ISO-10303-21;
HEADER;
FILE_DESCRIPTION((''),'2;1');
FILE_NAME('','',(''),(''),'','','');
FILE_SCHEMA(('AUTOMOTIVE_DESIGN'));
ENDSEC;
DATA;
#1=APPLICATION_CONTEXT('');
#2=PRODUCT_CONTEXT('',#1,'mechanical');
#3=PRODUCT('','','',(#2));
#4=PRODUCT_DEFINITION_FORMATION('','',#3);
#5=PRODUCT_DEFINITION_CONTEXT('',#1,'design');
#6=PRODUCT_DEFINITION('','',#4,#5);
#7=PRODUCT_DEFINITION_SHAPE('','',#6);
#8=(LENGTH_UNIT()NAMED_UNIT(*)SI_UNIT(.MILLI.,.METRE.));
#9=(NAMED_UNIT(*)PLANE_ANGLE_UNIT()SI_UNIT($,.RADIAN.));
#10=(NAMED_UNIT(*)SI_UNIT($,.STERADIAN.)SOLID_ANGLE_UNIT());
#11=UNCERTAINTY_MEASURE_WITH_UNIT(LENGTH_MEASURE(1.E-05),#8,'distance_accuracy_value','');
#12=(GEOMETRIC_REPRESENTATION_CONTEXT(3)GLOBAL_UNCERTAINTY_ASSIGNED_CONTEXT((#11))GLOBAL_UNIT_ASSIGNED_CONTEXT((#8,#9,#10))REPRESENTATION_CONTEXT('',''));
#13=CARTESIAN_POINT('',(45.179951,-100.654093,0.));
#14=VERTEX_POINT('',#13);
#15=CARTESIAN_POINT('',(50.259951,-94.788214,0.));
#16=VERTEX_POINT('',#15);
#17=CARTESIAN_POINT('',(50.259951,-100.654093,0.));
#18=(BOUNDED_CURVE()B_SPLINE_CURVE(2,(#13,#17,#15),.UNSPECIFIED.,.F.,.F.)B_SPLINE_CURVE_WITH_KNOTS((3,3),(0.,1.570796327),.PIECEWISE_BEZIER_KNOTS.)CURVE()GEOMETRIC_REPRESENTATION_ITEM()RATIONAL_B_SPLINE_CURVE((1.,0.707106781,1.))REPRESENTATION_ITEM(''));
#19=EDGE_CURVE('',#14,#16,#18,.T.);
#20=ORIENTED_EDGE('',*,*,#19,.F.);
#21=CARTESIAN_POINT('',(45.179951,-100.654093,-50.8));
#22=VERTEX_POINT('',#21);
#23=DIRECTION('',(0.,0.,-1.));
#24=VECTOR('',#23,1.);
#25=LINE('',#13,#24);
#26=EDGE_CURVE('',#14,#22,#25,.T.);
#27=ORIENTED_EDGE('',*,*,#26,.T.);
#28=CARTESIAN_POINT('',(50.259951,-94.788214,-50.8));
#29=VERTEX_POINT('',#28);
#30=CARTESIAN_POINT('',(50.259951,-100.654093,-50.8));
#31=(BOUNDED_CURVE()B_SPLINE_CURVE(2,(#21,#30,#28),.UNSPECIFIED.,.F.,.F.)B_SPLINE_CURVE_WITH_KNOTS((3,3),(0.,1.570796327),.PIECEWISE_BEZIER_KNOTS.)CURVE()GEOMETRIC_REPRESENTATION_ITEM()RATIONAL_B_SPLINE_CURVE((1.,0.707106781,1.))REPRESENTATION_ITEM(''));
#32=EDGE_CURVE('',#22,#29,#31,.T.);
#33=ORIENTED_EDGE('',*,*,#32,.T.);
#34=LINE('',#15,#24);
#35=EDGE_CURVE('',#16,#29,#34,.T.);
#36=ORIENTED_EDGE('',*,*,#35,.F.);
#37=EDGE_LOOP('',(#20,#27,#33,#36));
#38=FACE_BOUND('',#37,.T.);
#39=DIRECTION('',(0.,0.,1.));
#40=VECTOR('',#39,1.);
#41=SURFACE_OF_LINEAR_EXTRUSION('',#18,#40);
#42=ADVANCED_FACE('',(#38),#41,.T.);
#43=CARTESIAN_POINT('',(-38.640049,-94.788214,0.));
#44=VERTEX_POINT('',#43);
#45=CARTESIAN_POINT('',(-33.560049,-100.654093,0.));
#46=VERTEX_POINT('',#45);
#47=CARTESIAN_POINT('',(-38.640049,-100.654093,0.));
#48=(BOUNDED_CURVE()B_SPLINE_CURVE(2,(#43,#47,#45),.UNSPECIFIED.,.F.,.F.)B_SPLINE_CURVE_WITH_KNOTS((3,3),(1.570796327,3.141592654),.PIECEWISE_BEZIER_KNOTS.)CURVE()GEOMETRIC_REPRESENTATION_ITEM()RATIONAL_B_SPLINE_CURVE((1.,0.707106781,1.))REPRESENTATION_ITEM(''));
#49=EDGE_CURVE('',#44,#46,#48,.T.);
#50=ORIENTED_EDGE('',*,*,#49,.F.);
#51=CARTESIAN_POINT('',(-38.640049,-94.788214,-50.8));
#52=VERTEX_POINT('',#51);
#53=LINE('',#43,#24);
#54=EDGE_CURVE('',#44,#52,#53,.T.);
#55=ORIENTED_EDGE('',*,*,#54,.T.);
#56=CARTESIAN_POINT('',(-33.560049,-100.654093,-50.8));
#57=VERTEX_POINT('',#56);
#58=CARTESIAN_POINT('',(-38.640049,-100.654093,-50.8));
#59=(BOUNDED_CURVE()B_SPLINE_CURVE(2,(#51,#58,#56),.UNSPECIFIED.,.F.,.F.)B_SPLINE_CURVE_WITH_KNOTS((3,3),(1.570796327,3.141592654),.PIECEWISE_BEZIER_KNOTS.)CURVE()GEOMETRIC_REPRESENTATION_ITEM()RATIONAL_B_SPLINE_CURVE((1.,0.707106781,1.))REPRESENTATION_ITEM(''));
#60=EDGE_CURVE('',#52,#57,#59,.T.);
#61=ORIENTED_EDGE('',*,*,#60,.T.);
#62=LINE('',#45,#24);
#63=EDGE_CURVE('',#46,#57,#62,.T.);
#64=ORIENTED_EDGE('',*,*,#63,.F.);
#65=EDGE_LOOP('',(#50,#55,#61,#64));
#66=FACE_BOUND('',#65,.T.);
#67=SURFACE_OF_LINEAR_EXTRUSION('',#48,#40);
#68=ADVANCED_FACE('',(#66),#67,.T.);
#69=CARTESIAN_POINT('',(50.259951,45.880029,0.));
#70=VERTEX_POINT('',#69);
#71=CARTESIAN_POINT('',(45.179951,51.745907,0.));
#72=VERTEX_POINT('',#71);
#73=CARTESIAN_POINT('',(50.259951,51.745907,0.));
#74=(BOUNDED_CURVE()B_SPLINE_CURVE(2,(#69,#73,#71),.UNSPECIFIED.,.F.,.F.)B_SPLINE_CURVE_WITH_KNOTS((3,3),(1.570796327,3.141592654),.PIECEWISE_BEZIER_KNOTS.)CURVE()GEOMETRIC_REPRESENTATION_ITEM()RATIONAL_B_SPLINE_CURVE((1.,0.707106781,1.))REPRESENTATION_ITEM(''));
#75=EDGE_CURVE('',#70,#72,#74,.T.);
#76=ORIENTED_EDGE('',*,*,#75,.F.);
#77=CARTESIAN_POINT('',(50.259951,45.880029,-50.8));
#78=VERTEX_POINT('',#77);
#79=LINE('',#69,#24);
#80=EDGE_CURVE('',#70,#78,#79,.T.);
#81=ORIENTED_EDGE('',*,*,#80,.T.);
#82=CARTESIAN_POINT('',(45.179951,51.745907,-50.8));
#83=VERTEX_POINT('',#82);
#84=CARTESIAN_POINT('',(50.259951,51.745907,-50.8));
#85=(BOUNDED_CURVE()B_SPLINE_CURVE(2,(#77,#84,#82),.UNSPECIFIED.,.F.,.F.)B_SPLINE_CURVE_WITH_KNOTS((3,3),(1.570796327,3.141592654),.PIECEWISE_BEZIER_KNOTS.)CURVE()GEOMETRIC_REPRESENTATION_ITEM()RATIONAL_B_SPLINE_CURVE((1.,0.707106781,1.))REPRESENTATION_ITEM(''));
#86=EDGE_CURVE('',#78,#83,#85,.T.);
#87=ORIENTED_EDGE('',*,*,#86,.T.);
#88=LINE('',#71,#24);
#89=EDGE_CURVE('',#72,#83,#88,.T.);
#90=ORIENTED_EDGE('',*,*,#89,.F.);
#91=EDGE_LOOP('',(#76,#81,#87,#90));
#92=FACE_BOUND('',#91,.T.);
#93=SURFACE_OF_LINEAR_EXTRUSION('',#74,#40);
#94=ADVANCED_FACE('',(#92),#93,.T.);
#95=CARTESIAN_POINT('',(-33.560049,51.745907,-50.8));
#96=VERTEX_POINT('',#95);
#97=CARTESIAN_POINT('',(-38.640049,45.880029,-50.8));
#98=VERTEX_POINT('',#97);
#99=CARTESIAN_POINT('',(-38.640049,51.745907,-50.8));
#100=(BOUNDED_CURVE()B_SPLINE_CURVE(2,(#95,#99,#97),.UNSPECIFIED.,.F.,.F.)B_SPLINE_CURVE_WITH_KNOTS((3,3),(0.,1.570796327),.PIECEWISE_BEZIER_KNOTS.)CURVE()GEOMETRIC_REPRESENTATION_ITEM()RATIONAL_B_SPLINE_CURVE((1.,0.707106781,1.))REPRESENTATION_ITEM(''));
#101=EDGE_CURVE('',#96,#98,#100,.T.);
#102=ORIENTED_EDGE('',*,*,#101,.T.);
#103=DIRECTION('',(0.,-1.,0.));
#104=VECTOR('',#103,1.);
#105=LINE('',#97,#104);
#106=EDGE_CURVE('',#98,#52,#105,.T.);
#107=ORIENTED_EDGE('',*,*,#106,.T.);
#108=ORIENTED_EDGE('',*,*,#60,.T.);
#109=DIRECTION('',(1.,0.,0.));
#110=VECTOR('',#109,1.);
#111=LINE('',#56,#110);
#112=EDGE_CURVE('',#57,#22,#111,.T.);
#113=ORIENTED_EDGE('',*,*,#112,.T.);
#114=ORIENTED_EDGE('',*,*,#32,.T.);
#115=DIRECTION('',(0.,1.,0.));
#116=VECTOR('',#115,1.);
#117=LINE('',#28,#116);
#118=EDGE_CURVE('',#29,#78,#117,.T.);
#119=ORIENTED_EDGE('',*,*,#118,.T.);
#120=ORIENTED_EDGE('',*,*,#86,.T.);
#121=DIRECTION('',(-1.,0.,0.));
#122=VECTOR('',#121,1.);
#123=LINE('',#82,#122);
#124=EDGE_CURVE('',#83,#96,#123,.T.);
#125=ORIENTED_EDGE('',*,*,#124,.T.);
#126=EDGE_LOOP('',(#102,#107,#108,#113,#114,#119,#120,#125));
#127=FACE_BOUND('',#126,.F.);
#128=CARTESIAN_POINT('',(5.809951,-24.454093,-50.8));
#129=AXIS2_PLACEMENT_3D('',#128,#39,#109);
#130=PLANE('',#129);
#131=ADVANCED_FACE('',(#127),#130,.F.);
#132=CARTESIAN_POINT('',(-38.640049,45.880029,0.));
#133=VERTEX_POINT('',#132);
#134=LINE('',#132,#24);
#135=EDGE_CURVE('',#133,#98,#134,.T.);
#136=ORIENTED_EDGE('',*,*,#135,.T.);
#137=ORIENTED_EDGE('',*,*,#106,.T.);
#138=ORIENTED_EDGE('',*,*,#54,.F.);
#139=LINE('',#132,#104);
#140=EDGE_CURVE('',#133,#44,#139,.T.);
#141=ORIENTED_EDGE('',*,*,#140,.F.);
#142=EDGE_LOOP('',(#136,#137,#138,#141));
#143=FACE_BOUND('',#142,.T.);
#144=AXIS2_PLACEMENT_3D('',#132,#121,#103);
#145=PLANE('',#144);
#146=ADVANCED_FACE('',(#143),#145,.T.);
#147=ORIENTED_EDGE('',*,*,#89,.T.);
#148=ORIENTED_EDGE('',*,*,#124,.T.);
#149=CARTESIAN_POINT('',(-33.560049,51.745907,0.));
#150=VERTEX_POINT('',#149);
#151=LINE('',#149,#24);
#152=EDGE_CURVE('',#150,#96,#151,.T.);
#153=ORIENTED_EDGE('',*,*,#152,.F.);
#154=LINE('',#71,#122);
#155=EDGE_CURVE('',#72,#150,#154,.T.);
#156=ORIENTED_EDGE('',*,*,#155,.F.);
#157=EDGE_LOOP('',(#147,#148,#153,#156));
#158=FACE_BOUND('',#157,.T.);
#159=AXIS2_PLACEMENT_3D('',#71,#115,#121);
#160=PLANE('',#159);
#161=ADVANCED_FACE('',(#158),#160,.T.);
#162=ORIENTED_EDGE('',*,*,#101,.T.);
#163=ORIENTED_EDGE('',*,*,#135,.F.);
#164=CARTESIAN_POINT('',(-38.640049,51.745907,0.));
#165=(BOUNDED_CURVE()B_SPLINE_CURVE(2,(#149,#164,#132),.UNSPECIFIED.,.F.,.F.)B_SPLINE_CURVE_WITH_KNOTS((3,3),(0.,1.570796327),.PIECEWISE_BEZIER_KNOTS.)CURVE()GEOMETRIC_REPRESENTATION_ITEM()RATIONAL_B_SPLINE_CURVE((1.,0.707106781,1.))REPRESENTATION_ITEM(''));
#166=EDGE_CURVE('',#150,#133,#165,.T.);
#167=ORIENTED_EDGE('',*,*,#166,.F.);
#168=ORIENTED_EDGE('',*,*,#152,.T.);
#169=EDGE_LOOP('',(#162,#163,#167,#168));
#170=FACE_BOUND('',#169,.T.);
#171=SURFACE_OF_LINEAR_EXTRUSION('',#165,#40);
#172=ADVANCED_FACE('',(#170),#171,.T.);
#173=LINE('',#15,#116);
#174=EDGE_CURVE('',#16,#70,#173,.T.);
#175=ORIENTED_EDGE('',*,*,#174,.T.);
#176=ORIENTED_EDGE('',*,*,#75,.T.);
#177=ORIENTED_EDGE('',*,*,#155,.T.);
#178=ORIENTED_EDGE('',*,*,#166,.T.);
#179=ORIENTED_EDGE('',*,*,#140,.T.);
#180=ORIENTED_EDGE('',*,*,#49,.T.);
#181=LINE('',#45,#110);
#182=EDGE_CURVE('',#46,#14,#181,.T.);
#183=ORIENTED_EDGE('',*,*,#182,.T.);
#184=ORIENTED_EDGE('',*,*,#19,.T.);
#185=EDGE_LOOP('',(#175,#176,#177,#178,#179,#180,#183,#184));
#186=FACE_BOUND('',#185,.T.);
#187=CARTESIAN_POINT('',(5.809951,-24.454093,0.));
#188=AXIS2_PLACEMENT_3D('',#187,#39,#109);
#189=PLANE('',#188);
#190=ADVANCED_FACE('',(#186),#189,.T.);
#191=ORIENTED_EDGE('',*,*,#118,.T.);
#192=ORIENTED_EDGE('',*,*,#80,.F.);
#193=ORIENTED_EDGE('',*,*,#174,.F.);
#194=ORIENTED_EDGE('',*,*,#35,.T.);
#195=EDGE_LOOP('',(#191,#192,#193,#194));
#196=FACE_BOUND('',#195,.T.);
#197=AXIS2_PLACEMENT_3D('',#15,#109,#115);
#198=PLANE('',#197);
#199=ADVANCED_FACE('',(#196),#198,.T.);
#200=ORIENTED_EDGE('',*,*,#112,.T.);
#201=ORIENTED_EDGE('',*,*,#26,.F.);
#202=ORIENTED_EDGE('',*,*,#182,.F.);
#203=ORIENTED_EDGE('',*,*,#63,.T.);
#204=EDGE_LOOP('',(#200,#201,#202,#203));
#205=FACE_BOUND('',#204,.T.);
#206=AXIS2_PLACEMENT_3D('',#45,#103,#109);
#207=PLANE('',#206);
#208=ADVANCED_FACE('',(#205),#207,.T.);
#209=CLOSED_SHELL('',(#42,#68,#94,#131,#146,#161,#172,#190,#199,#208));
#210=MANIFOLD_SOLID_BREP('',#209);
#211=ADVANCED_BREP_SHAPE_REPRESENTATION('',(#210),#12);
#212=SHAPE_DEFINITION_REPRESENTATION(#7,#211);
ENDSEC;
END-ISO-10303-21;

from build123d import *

# Parameters (mm, degrees)
F1_DEPTH = 50.8


with BuildPart() as f1:
    # F0 (on Top) → F1 (new body)
    with BuildSketch(Plane.XY):
        with BuildLine():
            add(Edge.make_bspline(
                [(-33.5600493577, 51.7459073931), (-38.6400493577, 51.7459073931), (-38.6400493577, 45.8800286581)],
                knots=[0, 0, 0, 1.5707963268, 1.5707963268, 1.5707963268], degree=2, weights=[1, 0.7071067812, 1]))
            Line((-38.6400493577, 45.8800286581), (-38.6400493577, -94.7882138719))
            add(Edge.make_bspline(
                [(-38.6400493577, -94.7882138719), (-38.6400493577, -100.6540926069), (-33.5600493577, -100.6540926069)],
                knots=[1.5707963268, 1.5707963268, 1.5707963268, 3.1415926536, 3.1415926536, 3.1415926536], degree=2, weights=[1, 0.7071067812, 1]))
            Line((-33.5600493577, -100.6540926069), (45.1799506423, -100.6540926069))
            add(Edge.make_bspline(
                [(45.1799506423, -100.6540926069), (50.2599506423, -100.6540926069), (50.2599506423, -94.7882138719)],
                knots=[0, 0, 0, 1.5707963268, 1.5707963268, 1.5707963268], degree=2, weights=[1, 0.7071067812, 1]))
            Line((50.2599506423, -94.7882138719), (50.2599506423, 45.8800286581))
            add(Edge.make_bspline(
                [(50.2599506423, 45.8800286581), (50.2599506423, 51.7459073931), (45.1799506423, 51.7459073931)],
                knots=[1.5707963268, 1.5707963268, 1.5707963268, 3.1415926536, 3.1415926536, 3.1415926536], degree=2, weights=[1, 0.7071067812, 1]))
            Line((45.1799506423, 51.7459073931), (-33.5600493577, 51.7459073931))
        make_face()
    extrude(amount=-F1_DEPTH)


solid = f1.part
